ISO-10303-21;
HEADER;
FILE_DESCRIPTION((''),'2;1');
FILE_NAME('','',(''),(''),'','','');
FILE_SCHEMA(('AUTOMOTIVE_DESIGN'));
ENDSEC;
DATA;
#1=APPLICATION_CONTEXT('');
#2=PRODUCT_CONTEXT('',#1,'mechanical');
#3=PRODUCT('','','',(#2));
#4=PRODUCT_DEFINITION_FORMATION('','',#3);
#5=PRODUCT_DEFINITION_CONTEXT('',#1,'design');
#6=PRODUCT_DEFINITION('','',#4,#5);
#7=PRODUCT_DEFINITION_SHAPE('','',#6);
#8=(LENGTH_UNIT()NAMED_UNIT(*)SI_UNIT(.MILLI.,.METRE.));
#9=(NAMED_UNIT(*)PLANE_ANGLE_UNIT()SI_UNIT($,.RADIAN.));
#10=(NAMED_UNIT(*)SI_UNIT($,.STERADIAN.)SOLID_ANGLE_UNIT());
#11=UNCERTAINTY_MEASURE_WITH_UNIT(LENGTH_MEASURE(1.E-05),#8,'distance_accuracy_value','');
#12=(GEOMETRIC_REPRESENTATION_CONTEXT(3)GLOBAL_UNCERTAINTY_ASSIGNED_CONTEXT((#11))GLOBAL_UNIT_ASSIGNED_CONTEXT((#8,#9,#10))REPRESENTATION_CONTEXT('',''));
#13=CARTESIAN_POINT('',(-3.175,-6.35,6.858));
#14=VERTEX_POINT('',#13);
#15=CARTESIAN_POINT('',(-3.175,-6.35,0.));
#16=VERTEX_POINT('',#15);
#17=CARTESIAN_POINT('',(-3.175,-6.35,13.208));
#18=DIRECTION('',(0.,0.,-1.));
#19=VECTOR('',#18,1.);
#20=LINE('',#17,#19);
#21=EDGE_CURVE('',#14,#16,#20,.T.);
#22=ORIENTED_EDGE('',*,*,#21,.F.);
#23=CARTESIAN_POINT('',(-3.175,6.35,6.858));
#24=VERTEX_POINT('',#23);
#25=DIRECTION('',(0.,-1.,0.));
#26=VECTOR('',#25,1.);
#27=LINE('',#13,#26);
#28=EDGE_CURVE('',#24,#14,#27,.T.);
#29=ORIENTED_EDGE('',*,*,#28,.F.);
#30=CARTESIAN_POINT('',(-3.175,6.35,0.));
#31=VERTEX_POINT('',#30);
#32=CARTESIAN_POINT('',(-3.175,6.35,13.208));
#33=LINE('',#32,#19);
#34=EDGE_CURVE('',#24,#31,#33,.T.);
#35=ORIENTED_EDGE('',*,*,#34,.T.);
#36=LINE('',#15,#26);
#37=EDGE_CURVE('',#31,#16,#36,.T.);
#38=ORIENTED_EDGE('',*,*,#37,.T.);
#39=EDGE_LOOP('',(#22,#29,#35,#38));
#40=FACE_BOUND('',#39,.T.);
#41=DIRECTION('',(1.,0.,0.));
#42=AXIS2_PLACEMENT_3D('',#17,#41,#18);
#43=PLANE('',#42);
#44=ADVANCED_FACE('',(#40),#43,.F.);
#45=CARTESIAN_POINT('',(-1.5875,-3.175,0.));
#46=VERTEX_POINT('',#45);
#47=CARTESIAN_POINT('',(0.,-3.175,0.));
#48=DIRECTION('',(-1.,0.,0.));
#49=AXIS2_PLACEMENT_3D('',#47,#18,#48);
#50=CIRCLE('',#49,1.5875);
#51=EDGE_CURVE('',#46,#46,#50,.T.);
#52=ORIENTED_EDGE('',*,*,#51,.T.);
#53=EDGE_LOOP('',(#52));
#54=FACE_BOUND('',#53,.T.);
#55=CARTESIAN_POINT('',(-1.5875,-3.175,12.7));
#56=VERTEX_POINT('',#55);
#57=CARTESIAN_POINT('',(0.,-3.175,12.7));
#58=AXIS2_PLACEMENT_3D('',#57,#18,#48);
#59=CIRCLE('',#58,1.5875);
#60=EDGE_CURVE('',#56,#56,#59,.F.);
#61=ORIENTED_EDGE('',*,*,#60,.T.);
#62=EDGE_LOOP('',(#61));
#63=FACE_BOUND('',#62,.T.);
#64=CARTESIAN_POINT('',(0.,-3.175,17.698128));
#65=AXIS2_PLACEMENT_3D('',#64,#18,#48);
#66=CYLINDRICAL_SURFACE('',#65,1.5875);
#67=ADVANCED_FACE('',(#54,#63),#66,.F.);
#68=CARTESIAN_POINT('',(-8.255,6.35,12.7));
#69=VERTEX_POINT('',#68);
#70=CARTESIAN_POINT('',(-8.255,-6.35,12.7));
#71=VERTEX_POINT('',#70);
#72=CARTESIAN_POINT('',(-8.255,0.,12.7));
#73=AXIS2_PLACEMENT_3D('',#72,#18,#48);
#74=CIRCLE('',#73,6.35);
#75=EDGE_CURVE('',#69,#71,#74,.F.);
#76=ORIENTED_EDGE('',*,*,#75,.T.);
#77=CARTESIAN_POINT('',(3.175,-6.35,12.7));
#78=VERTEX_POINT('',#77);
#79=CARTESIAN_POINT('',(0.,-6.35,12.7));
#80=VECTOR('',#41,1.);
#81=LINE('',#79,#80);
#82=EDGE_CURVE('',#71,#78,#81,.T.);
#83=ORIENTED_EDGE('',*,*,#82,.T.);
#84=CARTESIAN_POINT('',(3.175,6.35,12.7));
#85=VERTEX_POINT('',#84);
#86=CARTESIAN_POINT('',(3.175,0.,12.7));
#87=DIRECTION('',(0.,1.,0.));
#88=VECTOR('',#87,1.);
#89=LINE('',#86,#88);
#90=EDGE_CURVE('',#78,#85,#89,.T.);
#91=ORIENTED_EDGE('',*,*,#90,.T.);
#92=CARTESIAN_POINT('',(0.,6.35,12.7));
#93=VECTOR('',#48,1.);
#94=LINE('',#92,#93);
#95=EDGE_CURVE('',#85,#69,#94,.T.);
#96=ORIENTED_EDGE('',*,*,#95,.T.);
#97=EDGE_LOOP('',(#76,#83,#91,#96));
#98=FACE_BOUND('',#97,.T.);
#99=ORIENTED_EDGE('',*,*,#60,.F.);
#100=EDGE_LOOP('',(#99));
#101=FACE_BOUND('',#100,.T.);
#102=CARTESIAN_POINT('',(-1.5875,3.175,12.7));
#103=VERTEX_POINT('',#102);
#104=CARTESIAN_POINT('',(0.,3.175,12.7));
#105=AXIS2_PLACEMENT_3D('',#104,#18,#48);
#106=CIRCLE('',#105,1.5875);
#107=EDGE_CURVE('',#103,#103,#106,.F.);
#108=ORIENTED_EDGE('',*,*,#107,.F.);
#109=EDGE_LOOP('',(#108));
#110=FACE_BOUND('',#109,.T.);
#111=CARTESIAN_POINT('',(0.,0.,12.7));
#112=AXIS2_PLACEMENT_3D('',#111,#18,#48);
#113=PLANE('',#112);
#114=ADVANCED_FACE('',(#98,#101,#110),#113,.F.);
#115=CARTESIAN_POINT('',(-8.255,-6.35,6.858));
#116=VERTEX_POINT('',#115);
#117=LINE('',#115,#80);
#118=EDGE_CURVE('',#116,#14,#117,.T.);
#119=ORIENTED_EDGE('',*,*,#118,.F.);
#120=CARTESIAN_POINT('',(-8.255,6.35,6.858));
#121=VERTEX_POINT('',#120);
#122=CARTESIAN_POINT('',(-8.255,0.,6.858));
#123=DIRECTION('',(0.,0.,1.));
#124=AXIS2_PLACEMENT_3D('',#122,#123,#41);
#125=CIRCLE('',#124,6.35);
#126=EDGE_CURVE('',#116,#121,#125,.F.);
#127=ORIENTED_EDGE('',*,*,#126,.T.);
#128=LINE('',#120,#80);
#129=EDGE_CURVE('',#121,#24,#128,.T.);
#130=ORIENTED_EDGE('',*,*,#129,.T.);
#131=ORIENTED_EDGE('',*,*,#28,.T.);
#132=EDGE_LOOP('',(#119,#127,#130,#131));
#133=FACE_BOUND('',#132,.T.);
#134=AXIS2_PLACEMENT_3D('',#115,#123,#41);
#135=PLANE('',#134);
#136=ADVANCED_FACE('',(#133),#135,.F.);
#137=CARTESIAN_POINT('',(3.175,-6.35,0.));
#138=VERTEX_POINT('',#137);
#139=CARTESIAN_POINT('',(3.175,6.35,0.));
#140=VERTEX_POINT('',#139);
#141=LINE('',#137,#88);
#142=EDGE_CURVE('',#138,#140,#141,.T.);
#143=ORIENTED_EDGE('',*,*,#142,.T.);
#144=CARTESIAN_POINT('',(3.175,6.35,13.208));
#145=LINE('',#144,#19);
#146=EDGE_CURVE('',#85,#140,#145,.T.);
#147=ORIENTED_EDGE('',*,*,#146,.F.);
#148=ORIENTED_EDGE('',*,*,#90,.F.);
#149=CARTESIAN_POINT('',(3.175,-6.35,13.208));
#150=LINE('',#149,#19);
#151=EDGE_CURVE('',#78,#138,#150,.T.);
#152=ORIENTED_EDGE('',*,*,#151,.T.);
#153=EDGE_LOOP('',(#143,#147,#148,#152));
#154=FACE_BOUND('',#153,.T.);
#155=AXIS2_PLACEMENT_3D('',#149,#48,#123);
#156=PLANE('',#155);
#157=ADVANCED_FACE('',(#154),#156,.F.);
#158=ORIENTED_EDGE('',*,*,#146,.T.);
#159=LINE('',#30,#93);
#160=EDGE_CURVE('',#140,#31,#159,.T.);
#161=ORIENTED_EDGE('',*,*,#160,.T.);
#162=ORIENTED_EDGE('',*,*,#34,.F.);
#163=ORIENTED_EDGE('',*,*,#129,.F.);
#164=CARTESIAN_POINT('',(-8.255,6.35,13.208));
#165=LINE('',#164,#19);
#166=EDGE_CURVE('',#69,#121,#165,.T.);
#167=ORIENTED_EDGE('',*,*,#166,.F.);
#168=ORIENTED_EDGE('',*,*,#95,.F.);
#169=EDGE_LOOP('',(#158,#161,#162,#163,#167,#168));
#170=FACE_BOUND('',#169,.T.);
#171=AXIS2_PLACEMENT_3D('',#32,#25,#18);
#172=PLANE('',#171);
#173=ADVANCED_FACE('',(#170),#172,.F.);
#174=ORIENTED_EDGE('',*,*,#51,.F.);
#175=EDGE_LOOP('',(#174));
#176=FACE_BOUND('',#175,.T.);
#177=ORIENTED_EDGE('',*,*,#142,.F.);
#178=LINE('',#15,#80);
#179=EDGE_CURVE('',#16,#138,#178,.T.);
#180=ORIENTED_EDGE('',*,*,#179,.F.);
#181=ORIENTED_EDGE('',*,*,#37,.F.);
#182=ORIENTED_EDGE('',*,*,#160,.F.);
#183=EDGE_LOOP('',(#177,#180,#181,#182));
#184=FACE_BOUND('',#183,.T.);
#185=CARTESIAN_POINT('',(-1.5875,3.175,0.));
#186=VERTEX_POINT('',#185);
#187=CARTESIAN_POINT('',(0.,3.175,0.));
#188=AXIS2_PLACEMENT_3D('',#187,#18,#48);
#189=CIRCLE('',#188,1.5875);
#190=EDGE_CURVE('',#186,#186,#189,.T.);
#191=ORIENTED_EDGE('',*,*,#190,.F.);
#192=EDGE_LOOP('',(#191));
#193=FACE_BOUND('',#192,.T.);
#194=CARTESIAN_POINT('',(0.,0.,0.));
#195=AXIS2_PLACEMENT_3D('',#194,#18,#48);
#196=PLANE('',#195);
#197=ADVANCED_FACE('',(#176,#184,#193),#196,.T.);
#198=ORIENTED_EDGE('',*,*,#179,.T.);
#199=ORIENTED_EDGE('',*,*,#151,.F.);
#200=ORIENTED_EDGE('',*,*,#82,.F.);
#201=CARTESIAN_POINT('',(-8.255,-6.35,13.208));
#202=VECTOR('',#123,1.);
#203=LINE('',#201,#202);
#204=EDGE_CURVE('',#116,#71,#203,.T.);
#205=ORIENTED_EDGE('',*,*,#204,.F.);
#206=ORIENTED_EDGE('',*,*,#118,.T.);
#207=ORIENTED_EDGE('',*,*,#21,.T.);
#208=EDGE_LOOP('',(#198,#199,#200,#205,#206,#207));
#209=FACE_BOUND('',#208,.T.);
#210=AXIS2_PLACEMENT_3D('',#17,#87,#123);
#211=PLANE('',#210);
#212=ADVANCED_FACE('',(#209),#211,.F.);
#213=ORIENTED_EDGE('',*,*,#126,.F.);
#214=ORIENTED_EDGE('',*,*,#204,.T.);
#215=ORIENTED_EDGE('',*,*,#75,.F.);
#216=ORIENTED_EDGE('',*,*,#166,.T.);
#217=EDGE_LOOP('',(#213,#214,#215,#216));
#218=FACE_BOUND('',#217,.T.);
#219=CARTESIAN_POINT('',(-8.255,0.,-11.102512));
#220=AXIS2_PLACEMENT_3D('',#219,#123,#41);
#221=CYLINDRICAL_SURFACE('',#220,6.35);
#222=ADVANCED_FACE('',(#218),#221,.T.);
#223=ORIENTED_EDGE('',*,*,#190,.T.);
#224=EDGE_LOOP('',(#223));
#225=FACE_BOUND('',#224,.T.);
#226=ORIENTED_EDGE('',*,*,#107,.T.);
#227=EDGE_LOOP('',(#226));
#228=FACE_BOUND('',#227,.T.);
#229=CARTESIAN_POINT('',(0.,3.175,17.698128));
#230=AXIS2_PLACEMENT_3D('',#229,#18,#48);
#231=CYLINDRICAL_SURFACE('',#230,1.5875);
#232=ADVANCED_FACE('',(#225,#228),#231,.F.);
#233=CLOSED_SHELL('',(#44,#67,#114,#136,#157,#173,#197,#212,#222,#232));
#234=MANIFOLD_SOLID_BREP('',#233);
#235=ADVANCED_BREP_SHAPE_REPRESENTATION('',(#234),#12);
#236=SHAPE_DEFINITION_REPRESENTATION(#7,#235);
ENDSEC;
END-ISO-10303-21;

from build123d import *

# Parameters (mm, degrees)
SKETCH1_W           = 6.35
SKETCH1_H           = 12.7
BOSS_EXTRUDE1_DEPTH = 13.208
SKETCH2_W           = 6.35
SKETCH2_H           = 12.7
BOSS_EXTRUDE2_DEPTH = 5.08
SKETCH3_R           = 6.35
BOSS_EXTRUDE3_DEPTH = 6.35
SKETCH4_R           = 1.5875
CUT_EXTRUDE1_DEPTH  = 13.208
MOVE_FACE1_BY       = 0.508


with BuildPart() as part:
    # Sketch1 → Boss-Extrude1 (new body)
    with BuildSketch(Plane.XY):
        Rectangle(SKETCH1_W, SKETCH1_H)
    extrude(amount=BOSS_EXTRUDE1_DEPTH)

    # Sketch2 → Boss-Extrude2 (add)
    with BuildSketch(Plane.ZY.offset(3.175)):
        with Locations((10.033, 0)):
            Rectangle(SKETCH2_W, SKETCH2_H)
    extrude(amount=BOSS_EXTRUDE2_DEPTH)

    # Sketch3 → Boss-Extrude3 (add)
    with BuildSketch(Plane.XY.offset(13.208)):
        with Locations((-8.255, 0)):
            Circle(SKETCH3_R)
    extrude(amount=-BOSS_EXTRUDE3_DEPTH)

    # Sketch4 → Cut-Extrude1 (cut)
    with BuildSketch(Plane(origin=(0, 0, 0), x_dir=(-1, 0, 0), z_dir=(0, 0, -1))):
        with Locations((0, 3.175)):
            Circle(SKETCH4_R)
        with Locations((0, -3.175)):
            Circle(SKETCH4_R)
    extrude(amount=-CUT_EXTRUDE1_DEPTH, mode=Mode.SUBTRACT)

    # Move Face1: a face moved inward by 0.508
    extrude(part.faces().sort_by_distance((-5.513545594, 0, 13.208))[0], amount=MOVE_FACE1_BY, dir=(0, 0, -1), mode=Mode.SUBTRACT)


solid = part.part
